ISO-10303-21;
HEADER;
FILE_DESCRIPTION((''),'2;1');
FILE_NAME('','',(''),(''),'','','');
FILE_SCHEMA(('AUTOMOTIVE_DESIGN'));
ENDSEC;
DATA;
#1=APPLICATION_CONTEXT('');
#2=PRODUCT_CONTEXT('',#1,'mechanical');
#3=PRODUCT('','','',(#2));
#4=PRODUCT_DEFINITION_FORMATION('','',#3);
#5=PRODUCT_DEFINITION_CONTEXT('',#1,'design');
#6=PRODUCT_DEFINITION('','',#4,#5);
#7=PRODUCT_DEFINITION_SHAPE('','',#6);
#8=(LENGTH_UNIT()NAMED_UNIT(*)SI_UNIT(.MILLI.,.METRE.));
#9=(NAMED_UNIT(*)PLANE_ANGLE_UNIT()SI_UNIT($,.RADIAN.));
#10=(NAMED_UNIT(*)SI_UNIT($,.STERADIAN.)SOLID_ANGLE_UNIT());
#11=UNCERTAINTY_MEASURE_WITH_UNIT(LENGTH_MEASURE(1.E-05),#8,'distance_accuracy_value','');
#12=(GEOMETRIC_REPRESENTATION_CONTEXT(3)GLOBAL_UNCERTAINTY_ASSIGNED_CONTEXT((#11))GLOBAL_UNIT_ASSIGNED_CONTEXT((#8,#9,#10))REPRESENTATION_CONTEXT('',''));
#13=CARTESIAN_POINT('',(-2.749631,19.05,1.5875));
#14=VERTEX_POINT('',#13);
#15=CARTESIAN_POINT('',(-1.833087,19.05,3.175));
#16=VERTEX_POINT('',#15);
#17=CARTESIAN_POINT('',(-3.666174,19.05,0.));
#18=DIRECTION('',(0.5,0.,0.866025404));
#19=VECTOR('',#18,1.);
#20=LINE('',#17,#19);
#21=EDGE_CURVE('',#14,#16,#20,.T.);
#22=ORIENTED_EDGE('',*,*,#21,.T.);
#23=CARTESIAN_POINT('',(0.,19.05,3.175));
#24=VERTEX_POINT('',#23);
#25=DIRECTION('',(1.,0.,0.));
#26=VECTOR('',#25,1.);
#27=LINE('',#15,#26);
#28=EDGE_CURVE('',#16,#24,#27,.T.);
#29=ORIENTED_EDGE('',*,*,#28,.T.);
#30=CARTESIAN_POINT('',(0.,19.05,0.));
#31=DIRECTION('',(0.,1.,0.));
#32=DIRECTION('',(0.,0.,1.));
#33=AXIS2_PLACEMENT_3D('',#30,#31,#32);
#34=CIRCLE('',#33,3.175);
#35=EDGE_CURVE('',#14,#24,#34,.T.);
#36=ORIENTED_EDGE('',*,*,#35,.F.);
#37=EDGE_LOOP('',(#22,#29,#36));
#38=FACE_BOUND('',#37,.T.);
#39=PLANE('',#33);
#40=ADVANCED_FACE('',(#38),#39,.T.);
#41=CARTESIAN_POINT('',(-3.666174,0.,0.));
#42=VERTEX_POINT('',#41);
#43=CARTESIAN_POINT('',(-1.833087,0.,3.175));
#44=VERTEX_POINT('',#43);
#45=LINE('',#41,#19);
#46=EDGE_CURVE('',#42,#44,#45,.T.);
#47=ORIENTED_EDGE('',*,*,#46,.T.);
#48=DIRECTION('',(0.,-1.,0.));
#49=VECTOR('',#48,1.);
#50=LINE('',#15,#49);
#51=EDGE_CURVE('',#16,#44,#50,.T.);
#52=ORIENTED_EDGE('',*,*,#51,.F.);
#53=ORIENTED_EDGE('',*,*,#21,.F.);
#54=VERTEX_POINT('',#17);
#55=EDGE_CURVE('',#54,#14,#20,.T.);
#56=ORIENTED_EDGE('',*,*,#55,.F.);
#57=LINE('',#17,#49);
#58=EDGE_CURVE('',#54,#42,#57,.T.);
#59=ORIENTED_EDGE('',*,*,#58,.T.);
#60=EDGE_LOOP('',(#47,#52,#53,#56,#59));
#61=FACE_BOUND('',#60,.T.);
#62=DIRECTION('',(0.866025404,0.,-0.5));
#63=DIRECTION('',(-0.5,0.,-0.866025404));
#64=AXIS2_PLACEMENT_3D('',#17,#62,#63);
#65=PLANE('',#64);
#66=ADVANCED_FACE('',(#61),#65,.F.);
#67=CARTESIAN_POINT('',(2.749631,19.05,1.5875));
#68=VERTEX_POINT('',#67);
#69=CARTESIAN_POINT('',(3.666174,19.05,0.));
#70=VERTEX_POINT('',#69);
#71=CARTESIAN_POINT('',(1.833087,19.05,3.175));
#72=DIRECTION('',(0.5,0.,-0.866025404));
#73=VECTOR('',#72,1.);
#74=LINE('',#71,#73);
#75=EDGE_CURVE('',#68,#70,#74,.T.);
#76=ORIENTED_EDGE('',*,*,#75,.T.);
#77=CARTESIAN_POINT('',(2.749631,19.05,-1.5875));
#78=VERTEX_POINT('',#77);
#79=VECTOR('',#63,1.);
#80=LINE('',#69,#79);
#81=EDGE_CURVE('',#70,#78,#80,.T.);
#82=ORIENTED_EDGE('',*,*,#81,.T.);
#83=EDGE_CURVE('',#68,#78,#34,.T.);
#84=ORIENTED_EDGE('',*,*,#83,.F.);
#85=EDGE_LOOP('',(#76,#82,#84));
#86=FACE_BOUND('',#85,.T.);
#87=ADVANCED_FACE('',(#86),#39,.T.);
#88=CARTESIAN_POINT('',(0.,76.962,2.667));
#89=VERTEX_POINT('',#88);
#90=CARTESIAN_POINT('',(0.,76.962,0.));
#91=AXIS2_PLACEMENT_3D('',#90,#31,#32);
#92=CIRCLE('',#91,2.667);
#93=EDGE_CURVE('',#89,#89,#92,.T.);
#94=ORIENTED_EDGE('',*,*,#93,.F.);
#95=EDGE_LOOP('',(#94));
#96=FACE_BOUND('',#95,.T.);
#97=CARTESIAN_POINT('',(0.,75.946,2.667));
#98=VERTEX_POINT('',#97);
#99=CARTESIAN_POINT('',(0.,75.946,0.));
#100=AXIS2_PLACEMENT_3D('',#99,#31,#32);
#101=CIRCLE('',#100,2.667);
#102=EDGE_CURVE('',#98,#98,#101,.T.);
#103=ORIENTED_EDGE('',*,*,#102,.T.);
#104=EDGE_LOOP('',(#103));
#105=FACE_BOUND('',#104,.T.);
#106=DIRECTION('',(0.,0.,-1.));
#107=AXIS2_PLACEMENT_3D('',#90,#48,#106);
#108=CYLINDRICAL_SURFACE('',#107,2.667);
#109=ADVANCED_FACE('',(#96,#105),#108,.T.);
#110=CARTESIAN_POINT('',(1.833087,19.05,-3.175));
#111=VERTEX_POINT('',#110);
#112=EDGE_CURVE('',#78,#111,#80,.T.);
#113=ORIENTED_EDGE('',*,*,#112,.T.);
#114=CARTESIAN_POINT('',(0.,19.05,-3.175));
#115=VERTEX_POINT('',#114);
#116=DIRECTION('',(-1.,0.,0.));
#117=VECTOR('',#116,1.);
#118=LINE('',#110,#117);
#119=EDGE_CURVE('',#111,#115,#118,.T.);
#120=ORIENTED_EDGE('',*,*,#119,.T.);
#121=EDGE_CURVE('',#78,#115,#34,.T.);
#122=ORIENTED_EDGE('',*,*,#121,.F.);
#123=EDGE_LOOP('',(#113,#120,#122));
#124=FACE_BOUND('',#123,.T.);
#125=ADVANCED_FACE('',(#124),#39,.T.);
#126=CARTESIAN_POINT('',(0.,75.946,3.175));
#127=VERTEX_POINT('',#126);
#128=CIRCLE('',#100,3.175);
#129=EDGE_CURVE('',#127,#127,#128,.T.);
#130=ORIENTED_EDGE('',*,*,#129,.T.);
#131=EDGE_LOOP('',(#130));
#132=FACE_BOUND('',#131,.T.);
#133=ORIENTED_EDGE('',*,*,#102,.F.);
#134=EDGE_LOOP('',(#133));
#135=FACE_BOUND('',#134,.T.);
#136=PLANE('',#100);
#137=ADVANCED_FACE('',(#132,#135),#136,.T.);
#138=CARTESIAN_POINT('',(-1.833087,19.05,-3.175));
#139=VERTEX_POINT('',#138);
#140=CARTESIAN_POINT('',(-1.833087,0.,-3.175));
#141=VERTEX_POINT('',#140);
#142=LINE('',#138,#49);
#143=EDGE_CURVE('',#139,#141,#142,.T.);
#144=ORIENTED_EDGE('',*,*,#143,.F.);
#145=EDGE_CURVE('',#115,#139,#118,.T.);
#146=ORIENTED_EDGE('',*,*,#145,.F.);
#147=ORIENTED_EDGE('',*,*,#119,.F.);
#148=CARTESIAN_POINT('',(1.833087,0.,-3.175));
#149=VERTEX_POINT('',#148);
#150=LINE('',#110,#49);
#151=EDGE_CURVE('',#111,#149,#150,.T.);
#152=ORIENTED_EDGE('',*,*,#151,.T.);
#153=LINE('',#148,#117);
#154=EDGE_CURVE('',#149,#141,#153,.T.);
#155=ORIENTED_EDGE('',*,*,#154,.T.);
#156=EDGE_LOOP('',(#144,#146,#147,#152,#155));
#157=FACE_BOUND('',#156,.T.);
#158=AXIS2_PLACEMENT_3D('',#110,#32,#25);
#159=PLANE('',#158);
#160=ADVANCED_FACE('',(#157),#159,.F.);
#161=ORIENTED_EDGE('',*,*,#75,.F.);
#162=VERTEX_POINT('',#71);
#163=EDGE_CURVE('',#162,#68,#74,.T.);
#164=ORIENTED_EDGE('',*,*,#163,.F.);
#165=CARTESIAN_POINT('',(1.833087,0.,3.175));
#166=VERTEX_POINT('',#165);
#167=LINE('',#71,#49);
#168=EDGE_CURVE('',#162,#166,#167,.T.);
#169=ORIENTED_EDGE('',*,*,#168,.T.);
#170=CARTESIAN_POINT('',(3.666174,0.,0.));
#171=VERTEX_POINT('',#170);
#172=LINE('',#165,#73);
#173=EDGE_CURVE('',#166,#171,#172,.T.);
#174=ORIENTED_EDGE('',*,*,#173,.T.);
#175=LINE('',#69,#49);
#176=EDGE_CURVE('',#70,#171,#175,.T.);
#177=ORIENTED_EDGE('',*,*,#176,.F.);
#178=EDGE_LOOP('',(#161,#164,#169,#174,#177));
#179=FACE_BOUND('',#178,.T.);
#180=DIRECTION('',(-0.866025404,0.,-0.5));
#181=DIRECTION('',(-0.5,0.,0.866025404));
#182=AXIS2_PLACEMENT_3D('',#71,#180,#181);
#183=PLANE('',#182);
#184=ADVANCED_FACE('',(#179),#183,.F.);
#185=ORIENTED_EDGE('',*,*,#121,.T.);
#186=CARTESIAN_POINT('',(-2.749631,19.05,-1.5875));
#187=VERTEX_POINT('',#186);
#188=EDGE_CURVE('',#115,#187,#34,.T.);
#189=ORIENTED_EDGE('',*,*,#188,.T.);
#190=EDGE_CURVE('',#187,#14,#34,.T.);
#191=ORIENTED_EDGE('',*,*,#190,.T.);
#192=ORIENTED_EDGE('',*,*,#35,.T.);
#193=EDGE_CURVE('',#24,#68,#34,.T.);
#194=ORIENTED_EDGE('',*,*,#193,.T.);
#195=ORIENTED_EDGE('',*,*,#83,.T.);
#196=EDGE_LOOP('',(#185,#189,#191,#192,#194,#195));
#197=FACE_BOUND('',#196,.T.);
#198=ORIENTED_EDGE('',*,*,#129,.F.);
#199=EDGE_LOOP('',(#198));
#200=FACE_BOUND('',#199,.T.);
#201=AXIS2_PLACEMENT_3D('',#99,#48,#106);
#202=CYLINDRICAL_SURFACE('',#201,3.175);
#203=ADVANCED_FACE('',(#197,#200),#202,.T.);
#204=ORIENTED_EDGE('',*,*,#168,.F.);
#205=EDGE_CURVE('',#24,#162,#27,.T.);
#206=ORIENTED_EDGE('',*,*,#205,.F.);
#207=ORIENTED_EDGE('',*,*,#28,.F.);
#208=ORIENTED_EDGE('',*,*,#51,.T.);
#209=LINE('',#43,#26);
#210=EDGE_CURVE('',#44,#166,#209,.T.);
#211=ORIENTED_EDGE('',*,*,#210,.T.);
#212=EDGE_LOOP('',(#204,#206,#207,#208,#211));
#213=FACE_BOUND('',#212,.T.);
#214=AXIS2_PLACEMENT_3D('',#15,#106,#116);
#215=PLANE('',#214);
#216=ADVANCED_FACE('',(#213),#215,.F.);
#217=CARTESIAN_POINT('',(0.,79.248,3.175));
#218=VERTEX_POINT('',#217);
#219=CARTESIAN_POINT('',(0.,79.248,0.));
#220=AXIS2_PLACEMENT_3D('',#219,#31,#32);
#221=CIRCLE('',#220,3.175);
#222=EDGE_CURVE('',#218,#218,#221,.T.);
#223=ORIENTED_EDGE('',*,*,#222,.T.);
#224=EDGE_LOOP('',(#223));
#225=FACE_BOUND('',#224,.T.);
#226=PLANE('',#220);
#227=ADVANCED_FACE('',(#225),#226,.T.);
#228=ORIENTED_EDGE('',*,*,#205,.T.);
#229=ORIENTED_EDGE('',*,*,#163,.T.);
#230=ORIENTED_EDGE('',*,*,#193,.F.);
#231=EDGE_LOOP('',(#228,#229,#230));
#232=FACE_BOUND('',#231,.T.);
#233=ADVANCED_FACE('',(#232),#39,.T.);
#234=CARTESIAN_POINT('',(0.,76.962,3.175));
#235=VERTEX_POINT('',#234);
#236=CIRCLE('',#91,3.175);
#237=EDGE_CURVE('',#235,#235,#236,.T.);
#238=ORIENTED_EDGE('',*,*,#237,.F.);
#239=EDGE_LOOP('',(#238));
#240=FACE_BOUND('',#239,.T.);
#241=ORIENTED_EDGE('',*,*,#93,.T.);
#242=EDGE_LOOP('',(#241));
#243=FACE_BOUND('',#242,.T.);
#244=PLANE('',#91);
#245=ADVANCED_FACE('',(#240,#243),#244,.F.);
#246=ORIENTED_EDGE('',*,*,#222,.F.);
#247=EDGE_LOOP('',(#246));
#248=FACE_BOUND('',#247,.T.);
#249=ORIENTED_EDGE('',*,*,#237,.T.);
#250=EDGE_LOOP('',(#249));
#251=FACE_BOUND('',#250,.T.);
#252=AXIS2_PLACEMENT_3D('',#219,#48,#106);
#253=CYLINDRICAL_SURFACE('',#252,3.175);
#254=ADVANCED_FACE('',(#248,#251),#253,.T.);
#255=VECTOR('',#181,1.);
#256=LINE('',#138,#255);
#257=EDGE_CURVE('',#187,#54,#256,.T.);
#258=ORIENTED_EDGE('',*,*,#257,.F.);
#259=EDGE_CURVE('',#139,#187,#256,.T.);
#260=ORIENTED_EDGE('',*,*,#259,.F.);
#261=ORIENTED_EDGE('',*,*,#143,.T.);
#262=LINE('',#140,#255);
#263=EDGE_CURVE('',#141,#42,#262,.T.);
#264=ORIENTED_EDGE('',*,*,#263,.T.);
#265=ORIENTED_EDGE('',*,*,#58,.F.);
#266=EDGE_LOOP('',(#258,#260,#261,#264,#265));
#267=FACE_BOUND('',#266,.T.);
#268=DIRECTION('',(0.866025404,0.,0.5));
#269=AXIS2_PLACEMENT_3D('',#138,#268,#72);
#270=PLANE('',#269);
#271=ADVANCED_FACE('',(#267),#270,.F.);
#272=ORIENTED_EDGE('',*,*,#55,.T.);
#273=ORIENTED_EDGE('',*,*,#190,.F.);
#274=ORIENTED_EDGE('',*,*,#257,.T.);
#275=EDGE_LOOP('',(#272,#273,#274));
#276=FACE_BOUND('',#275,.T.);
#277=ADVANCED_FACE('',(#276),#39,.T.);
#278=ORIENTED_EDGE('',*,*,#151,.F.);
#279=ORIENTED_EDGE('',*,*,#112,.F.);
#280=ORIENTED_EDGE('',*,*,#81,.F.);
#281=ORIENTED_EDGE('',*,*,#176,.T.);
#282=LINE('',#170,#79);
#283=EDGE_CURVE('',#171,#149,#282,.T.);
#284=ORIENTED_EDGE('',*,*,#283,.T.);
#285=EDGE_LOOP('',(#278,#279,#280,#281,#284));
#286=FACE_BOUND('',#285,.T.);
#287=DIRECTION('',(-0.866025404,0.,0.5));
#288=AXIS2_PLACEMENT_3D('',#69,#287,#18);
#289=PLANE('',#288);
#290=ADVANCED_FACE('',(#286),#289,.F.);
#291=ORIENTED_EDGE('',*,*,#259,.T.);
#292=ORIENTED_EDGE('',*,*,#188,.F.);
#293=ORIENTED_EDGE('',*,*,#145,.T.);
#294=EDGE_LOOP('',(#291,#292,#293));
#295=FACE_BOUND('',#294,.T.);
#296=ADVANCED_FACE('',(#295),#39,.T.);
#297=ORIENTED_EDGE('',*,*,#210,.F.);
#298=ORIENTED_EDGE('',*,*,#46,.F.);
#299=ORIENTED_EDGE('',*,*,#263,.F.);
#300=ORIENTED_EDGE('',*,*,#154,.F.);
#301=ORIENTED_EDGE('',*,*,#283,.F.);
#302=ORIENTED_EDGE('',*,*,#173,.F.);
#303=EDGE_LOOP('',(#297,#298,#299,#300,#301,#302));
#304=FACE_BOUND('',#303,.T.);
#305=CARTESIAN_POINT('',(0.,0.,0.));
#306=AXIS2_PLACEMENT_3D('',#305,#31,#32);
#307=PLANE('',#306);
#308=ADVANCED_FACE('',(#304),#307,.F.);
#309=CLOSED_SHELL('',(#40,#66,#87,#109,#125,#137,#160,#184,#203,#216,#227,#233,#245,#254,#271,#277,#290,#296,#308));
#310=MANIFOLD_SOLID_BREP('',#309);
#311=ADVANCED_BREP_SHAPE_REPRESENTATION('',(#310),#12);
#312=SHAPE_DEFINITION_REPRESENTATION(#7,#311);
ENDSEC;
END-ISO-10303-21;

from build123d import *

# Parameters (mm, degrees)
BOSS_EXTRUDE1_DEPTH = 19.05
SKETCH2_R           = 3.175
BOSS_EXTRUDE2_DEPTH = 56.896
SKETCH3_R           = 2.667
BOSS_EXTRUDE3_DEPTH = 1.016
SKETCH4_R           = 3.175
BOSS_EXTRUDE4_DEPTH = 2.286


with BuildPart() as part:
    # Sketch1 → Boss-Extrude1 (new body)
    with BuildSketch(Plane(origin=(0, 0, 0), x_dir=(1, 0, 0), z_dir=(0, 1, 0))):
        Polygon((1.833087105, 3.175), (-1.833087105, 3.175), (-3.666174209, 0), (-1.833087105, -3.175), (1.833087105, -3.175), (3.666174209, 0), align=None)
    extrude(amount=BOSS_EXTRUDE1_DEPTH)

    # Sketch2 → Boss-Extrude2 (add)
    with BuildSketch(Plane(origin=(0, 19.05, 0), x_dir=(1, 0, 0), z_dir=(0, 1, 0))):
        with Locations(Location((0, 0, 0), (0, 0, 270))):
            Circle(SKETCH2_R)
    extrude(amount=BOSS_EXTRUDE2_DEPTH)

    # Sketch3 → Boss-Extrude3 (add)
    with BuildSketch(Plane(origin=(0, 75.946, 0), x_dir=(1, 0, 0), z_dir=(0, 1, 0))):
        with Locations(Location((0, 0, 0), (0, 0, 270))):
            Circle(SKETCH3_R)
    extrude(amount=BOSS_EXTRUDE3_DEPTH)

    # Sketch4 → Boss-Extrude4 (add)
    with BuildSketch(Plane(origin=(0, 76.962, 0), x_dir=(1, 0, 0), z_dir=(0, 1, 0))):
        with Locations(Location((0, 0, 0), (0, 0, 270))):
            Circle(SKETCH4_R)
    extrude(amount=BOSS_EXTRUDE4_DEPTH)


solid = part.part
